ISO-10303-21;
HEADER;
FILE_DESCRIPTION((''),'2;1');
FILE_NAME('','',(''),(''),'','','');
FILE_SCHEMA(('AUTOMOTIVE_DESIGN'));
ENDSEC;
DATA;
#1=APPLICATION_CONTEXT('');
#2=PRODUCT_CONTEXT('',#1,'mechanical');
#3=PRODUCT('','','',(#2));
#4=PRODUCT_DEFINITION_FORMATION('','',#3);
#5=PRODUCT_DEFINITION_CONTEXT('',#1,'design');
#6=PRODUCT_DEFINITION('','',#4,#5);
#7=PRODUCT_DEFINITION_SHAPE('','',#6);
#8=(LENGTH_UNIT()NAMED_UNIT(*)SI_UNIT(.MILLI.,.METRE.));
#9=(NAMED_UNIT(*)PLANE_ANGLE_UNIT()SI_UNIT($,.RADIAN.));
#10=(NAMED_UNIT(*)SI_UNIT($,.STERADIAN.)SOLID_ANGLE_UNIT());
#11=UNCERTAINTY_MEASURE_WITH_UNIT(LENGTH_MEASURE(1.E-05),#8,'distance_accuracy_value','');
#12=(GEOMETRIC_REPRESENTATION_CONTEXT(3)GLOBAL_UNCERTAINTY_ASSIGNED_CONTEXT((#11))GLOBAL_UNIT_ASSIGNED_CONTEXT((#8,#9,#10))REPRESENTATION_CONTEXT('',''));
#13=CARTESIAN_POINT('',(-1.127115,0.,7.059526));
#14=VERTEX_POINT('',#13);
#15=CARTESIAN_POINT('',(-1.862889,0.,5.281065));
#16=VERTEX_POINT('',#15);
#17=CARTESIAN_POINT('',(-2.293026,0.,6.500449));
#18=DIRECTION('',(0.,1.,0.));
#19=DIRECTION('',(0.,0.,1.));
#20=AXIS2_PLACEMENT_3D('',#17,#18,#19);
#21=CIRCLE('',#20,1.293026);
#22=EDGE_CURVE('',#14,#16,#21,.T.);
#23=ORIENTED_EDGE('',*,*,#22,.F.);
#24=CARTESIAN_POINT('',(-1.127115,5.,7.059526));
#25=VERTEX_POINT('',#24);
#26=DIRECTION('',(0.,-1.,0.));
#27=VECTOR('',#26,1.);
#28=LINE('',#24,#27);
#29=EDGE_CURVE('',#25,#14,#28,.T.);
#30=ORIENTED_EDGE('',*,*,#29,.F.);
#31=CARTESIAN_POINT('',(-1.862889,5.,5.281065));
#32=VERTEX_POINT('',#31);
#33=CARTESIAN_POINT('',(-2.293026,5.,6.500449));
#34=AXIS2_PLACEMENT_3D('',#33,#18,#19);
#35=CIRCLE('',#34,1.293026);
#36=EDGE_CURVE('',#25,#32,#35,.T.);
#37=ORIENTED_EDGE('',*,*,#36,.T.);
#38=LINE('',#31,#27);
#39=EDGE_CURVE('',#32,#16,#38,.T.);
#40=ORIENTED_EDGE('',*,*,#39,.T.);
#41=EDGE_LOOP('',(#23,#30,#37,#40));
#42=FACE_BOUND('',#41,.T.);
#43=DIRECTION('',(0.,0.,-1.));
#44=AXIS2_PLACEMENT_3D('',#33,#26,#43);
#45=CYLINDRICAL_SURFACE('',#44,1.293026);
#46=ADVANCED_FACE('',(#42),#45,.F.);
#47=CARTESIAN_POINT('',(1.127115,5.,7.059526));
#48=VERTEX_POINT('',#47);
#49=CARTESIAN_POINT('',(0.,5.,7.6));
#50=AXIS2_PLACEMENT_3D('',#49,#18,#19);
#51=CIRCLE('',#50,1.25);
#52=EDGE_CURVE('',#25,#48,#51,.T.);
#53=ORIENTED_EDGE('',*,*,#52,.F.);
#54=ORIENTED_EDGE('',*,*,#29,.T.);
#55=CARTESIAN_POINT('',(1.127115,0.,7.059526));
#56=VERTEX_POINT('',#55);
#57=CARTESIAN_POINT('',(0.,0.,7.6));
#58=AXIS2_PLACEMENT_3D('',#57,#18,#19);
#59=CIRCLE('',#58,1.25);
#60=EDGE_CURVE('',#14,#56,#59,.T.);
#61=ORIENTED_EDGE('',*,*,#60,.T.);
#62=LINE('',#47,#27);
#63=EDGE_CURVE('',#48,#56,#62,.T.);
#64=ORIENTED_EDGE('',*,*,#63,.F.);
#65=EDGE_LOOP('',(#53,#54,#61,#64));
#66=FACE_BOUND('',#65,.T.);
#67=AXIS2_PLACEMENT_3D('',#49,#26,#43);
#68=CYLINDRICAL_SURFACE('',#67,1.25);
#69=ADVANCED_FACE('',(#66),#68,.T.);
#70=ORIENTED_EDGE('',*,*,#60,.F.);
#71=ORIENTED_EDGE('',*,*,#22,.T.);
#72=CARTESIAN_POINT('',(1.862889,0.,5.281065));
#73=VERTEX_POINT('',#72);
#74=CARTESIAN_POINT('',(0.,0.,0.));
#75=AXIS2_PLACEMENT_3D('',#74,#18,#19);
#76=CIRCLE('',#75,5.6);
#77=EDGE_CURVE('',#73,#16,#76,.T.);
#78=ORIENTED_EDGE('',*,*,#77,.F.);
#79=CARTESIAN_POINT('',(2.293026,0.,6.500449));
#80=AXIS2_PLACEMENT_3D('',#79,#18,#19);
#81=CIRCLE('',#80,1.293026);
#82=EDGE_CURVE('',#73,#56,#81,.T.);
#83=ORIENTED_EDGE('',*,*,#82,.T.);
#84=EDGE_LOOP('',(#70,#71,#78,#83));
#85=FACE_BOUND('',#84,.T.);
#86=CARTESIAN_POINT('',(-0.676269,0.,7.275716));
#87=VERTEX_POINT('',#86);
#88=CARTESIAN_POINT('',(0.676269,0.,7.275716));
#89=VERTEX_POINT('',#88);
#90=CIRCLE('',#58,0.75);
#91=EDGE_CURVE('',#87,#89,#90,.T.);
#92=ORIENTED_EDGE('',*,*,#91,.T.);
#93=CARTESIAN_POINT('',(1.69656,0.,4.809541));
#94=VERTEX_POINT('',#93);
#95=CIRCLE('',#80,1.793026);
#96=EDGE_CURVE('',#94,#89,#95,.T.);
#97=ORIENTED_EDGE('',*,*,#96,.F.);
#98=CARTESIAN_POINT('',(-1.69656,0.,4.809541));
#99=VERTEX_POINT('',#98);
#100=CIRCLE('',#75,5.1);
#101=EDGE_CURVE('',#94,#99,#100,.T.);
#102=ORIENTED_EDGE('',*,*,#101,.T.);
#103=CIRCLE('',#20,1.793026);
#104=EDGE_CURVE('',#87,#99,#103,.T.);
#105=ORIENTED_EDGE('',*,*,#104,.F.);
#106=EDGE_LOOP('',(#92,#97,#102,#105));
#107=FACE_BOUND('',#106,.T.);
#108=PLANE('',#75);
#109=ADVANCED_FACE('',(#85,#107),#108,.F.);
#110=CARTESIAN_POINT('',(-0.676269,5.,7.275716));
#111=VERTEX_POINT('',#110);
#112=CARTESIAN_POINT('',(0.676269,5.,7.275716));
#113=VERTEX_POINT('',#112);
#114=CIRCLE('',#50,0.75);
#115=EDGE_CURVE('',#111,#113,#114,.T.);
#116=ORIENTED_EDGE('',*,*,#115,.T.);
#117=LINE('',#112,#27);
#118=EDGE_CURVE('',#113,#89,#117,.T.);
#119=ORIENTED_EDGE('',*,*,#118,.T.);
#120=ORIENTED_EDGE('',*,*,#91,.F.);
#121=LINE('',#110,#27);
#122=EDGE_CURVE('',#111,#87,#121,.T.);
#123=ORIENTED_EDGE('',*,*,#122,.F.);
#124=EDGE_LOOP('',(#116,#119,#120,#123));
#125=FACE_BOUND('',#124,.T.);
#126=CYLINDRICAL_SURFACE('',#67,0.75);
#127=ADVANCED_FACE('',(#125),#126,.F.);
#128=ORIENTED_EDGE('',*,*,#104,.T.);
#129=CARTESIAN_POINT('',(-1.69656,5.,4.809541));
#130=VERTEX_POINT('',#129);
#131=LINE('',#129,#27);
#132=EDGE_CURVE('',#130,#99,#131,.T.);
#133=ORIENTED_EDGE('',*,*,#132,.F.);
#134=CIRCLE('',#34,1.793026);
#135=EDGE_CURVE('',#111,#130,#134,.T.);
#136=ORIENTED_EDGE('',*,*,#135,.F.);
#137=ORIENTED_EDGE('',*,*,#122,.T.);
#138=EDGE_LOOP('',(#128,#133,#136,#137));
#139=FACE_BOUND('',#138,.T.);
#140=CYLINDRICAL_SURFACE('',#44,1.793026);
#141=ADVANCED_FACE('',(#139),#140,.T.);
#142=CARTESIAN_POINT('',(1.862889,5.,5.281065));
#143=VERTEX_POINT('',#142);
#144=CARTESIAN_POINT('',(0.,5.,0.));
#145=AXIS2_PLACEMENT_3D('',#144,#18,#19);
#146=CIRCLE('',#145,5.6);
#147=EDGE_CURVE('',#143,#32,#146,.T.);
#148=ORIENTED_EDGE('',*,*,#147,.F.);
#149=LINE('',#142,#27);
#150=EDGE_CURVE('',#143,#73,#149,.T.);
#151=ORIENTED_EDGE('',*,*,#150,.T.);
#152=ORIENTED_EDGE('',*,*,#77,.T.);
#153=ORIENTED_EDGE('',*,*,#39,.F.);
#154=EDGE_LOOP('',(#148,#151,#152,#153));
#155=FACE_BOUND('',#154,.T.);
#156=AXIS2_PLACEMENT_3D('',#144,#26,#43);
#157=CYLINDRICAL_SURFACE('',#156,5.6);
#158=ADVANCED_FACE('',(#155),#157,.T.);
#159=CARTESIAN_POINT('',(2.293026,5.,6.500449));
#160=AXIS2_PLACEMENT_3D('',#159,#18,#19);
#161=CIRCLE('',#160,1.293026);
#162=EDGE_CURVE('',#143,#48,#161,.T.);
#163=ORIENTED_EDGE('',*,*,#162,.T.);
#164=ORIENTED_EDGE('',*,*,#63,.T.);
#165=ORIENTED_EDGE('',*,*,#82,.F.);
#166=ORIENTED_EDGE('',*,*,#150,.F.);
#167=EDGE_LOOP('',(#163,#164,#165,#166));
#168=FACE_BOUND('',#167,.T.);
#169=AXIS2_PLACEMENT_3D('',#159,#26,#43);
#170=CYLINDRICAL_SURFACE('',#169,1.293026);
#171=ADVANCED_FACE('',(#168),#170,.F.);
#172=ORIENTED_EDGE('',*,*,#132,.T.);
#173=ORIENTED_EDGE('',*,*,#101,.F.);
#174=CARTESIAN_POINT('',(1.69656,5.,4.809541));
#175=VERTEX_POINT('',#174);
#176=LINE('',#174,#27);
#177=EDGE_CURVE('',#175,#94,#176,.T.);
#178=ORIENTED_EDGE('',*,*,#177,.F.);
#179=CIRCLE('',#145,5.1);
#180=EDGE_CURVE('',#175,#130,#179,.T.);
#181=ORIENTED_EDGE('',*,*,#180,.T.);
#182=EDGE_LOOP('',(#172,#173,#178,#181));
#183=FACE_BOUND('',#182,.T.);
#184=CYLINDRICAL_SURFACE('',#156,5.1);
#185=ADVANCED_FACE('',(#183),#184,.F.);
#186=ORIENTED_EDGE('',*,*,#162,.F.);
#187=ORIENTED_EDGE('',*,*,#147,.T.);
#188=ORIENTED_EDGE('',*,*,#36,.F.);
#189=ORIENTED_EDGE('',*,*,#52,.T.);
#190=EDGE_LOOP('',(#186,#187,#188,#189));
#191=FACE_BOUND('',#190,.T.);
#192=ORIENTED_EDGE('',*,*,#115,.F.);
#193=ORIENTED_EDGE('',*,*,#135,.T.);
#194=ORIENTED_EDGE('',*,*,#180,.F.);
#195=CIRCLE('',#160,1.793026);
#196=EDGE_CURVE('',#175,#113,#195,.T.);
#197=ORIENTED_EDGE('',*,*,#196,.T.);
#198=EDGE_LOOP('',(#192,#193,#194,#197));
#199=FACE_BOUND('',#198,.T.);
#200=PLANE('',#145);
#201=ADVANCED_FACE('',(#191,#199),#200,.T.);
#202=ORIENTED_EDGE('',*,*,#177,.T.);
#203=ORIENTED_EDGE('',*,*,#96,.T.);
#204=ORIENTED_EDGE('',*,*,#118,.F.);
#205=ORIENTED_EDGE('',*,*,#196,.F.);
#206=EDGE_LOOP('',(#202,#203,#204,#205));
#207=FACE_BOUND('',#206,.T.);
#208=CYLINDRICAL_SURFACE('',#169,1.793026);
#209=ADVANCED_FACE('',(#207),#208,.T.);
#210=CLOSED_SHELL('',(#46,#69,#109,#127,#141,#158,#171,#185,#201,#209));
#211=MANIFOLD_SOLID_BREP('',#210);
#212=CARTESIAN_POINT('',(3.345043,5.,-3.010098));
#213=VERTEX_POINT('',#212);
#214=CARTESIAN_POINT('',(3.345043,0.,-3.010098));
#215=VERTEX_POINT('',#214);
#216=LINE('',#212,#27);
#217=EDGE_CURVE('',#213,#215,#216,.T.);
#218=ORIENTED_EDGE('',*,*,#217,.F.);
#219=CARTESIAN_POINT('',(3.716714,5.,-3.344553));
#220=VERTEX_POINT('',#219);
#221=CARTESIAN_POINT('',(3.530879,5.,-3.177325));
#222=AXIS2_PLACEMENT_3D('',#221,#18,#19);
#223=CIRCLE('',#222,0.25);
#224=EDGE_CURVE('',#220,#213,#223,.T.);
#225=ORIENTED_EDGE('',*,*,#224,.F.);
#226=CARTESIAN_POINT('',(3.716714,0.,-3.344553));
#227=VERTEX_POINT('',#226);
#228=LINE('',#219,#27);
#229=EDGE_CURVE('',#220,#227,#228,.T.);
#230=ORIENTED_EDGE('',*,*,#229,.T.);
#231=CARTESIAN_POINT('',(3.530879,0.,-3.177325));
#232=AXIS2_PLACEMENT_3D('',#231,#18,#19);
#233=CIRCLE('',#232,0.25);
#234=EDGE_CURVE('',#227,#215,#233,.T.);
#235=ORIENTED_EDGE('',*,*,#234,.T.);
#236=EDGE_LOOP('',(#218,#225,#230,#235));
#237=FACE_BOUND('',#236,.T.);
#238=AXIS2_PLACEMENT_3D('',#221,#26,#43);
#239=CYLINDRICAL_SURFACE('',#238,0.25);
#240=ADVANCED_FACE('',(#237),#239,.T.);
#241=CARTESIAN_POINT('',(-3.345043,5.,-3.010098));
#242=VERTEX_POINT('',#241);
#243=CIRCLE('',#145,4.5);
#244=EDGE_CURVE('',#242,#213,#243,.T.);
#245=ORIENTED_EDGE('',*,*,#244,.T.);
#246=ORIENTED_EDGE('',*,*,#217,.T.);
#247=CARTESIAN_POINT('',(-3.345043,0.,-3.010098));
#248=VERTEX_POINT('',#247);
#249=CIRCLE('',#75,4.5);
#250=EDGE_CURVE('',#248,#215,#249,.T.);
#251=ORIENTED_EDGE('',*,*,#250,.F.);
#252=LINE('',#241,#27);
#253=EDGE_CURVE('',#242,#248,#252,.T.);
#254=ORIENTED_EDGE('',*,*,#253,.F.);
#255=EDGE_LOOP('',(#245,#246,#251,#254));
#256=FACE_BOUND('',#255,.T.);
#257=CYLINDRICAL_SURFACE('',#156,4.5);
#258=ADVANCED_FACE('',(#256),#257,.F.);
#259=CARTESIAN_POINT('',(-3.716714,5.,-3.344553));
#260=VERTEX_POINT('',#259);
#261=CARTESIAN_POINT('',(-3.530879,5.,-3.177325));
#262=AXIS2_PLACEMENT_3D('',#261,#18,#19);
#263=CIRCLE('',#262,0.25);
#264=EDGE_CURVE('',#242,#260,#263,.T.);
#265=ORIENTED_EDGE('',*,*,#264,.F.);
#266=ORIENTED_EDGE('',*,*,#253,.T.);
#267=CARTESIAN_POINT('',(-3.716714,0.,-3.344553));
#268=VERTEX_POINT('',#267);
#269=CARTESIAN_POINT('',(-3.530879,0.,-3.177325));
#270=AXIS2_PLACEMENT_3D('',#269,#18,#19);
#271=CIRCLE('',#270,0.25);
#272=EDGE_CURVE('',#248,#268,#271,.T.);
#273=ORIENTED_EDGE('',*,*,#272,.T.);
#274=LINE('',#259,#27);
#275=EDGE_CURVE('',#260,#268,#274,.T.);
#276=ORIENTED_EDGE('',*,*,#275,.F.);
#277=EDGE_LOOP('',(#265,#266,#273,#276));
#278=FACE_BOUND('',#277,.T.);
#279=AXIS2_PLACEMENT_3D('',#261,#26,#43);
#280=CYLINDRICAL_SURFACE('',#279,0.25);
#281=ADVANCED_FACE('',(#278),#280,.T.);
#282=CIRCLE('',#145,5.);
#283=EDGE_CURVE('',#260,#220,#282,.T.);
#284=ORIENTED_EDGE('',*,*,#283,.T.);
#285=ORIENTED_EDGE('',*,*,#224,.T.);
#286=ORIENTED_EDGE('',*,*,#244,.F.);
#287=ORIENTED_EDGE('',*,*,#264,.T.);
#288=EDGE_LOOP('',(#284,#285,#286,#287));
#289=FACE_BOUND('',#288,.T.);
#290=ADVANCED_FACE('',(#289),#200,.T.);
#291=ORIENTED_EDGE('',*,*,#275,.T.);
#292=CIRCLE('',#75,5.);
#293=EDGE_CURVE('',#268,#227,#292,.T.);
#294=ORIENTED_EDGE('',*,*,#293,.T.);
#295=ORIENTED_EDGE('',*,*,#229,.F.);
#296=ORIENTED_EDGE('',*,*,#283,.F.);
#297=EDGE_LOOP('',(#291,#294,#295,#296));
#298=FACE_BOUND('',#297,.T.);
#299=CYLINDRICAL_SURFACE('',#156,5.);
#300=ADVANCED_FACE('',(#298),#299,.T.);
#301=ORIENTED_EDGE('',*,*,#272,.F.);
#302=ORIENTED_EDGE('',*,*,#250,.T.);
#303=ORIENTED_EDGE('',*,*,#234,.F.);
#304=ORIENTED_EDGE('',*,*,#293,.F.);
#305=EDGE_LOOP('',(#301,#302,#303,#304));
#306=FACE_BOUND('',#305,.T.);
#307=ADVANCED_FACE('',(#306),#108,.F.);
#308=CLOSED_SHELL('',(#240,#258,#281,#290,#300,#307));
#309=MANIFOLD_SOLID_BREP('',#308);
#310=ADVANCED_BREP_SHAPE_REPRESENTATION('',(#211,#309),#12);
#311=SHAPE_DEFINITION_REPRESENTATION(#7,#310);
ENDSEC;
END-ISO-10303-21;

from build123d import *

# Parameters (mm, degrees)
EXTRUDE_1_DEPTH   = 5
EXTRUDE_1_2_DEPTH = 5


with BuildPart() as part:
    # Эскиз1 → Бобышка-Вытянуть1 (new body)
    with BuildSketch(Plane(origin=(0, 0, 0), x_dir=(1, 0, 0), z_dir=(0, 1, 0))):
        with BuildLine():
            ThreePointArc((-3.716714381, 3.344552917), (0, -5), (3.716714381, 3.344552917))
            ThreePointArc((3.716714381, 3.344552917), (3.363651016, 3.36316099), (3.345042943, 3.010097625))
            ThreePointArc((3.345042943, 3.010097625), (0, -4.5), (-3.345042943, 3.010097625))
            ThreePointArc((-3.345042943, 3.010097625), (-3.363651016, 3.36316099), (-3.716714381, 3.344552917))
        make_face()
    extrude(amount=EXTRUDE_1_DEPTH)


with BuildPart() as body_2:
    # Эскиз1 → Extrude 1 2 (new body)
    with BuildSketch(Plane(origin=(0, 0, 0), x_dir=(1, 0, 0), z_dir=(0, 1, 0))):
        with BuildLine():
            ThreePointArc((-1.12711488, -7.059526089), (-1.098214776, -6.006138923), (-1.86288923, -5.281064639))
            ThreePointArc((-1.86288923, -5.281064639), (0, 5.6), (1.86288923, -5.281064639))
            ThreePointArc((1.86288923, -5.281064639), (1.098214776, -6.006138923), (1.12711488, -7.059526089))
            ThreePointArc((1.12711488, -7.059526089), (0, -8.85), (-1.12711488, -7.059526089))
        make_face()
        with BuildLine():
            ThreePointArc((-0.676268928, -7.275715654), (0, -8.35), (0.676268928, -7.275715654))
            ThreePointArc((0.676268928, -7.275715654), (0.636193444, -5.814994243), (1.696559835, -4.80954101))
            ThreePointArc((1.696559835, -4.80954101), (0, 5.1), (-1.696559835, -4.80954101))
            ThreePointArc((-1.696559835, -4.80954101), (-0.636193444, -5.814994243), (-0.676268928, -7.275715654))
        make_face(mode=Mode.SUBTRACT)
    extrude(amount=EXTRUDE_1_2_DEPTH)


solid = Compound([part.part, body_2.part])
